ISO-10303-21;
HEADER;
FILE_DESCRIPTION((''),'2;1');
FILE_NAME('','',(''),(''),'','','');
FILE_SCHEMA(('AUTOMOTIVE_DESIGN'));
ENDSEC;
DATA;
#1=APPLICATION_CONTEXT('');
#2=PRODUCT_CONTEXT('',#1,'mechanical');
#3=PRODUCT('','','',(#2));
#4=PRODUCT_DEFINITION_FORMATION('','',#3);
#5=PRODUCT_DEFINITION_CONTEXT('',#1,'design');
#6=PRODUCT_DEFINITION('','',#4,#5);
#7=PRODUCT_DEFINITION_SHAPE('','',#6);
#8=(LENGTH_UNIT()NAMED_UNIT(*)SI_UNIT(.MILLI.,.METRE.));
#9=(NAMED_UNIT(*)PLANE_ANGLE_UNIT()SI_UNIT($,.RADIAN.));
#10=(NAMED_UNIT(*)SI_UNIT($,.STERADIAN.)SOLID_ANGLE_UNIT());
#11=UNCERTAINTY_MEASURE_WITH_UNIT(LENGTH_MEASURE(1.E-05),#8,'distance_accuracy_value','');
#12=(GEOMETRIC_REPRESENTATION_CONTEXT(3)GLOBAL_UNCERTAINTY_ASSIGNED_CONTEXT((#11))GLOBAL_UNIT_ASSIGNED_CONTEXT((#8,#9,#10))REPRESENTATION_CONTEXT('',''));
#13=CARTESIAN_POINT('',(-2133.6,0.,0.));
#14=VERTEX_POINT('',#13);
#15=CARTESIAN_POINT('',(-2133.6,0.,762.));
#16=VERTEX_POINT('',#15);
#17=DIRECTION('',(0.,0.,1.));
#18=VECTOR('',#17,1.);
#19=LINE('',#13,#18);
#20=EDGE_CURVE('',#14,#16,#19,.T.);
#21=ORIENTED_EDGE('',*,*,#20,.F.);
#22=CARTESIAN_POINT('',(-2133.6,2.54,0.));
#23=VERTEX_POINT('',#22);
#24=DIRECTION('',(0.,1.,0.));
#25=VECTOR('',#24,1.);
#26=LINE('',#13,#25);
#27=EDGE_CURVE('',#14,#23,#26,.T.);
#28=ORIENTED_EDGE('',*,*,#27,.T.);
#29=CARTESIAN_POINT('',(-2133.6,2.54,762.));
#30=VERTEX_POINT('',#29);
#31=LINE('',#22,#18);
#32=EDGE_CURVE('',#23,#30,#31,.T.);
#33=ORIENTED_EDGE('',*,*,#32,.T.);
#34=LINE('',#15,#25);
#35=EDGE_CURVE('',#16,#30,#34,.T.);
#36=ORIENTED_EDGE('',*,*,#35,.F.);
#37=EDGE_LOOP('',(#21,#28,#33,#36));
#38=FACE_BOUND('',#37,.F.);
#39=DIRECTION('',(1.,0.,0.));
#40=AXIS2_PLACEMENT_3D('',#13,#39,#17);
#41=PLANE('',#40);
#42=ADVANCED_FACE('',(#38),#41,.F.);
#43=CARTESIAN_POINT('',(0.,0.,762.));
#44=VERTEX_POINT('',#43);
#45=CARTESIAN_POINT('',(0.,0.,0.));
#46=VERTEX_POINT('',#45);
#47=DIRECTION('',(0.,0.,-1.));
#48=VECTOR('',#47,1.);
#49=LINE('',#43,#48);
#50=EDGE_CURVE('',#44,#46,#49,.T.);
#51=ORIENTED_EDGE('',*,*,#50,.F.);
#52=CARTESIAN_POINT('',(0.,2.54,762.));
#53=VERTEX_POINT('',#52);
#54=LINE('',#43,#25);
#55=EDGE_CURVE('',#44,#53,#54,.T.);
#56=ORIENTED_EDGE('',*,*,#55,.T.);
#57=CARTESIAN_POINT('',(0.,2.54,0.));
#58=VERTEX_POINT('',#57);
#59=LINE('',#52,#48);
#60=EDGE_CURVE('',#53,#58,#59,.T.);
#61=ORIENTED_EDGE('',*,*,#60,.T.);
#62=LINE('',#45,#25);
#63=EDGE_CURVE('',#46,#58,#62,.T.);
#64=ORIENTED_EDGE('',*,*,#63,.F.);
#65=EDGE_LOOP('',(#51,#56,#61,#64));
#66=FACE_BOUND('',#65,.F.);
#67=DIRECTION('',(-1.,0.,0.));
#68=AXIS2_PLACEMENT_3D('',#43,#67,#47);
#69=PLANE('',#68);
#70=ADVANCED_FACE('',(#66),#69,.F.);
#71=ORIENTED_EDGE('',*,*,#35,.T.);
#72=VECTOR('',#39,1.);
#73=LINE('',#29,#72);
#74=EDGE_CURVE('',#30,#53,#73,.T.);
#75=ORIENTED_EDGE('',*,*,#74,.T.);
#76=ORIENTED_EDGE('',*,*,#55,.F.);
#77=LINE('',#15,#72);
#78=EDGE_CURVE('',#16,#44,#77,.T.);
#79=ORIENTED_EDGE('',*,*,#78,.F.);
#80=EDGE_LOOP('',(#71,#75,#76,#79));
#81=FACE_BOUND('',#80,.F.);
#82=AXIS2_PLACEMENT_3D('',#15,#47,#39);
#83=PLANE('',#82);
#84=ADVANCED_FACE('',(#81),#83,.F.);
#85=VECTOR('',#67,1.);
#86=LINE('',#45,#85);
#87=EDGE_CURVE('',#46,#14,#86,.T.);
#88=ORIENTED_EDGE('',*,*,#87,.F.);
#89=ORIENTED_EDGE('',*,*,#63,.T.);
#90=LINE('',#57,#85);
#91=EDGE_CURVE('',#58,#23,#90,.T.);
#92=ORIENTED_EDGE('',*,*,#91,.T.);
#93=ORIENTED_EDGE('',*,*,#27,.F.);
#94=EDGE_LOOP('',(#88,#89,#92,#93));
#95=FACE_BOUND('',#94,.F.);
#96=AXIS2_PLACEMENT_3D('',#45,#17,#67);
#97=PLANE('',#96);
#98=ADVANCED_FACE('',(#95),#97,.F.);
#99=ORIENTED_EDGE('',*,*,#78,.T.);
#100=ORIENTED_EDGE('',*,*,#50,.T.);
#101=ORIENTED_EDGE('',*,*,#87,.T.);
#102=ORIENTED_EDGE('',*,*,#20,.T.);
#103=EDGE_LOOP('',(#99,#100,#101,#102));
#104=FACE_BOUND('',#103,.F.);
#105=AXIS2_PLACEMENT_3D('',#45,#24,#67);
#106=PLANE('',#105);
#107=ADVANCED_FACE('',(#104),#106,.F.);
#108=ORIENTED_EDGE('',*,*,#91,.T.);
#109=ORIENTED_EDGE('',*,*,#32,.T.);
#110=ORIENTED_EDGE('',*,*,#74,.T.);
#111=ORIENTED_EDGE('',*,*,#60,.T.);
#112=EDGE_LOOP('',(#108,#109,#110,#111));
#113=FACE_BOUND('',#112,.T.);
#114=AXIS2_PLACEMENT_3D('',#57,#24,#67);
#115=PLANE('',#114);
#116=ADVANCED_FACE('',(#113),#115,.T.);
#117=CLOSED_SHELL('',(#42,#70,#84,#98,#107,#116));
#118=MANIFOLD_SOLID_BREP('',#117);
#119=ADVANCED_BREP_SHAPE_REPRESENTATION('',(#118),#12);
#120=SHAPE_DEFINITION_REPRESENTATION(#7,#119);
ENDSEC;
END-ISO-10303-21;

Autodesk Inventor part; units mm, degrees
ref_plane "YZ Plane" through (0, 0, 0) normal (1, 0, 0) x (0, 1, 0)
ref_plane "XZ Plane" through (0, 0, 0) normal (0, 1, 0) x (-1, 0, 0)
ref_plane "XY Plane" through (0, 0, 0) normal (0, 0, 1) x (1, 0, 0)
sketch "Sketch1" plane through (0, 0, 0) normal (0, 1, 0) x (-1, 0, 0)
  line L0 (0, 0) -> (2133.6, 0)
  line L1 (2133.6, 0) -> (2133.6, 762)
  line L2 (2133.6, 762) -> (0, 762)
  line L3 (0, 762) -> (0, 0)
  dimension "d0" = 2133.6
  dimension "d1" = 762
extrude "Extrusion1" add sketch "Sketch1" along normal blind 2.54
sketch "Sketch2" plane through (0, 2.54, 0) normal (0, 1, 0) x (1, 0, 0)
  line L0 (0, 0) -> (-2133.6, 0) projected
  line L1 (-2133.6, 0) -> (-2133.6, -762) projected
  line L2 (-2133.6, -762) -> (0, -762) projected
  line L3 (0, -762) -> (0, 0) projected
  line L4 (-2053.8257, -227.8408) -> (135.5229, -227.8408) construction
  line L5 (135.5229, -227.8408) -> (135.5229, -488.7997) construction
  line L6 (135.5229, -488.7997) -> (-2053.8257, -488.7997) construction
  line L7 (-2053.8257, -488.7997) -> (-2053.8257, -227.8408) construction
properties part number "banner2"
